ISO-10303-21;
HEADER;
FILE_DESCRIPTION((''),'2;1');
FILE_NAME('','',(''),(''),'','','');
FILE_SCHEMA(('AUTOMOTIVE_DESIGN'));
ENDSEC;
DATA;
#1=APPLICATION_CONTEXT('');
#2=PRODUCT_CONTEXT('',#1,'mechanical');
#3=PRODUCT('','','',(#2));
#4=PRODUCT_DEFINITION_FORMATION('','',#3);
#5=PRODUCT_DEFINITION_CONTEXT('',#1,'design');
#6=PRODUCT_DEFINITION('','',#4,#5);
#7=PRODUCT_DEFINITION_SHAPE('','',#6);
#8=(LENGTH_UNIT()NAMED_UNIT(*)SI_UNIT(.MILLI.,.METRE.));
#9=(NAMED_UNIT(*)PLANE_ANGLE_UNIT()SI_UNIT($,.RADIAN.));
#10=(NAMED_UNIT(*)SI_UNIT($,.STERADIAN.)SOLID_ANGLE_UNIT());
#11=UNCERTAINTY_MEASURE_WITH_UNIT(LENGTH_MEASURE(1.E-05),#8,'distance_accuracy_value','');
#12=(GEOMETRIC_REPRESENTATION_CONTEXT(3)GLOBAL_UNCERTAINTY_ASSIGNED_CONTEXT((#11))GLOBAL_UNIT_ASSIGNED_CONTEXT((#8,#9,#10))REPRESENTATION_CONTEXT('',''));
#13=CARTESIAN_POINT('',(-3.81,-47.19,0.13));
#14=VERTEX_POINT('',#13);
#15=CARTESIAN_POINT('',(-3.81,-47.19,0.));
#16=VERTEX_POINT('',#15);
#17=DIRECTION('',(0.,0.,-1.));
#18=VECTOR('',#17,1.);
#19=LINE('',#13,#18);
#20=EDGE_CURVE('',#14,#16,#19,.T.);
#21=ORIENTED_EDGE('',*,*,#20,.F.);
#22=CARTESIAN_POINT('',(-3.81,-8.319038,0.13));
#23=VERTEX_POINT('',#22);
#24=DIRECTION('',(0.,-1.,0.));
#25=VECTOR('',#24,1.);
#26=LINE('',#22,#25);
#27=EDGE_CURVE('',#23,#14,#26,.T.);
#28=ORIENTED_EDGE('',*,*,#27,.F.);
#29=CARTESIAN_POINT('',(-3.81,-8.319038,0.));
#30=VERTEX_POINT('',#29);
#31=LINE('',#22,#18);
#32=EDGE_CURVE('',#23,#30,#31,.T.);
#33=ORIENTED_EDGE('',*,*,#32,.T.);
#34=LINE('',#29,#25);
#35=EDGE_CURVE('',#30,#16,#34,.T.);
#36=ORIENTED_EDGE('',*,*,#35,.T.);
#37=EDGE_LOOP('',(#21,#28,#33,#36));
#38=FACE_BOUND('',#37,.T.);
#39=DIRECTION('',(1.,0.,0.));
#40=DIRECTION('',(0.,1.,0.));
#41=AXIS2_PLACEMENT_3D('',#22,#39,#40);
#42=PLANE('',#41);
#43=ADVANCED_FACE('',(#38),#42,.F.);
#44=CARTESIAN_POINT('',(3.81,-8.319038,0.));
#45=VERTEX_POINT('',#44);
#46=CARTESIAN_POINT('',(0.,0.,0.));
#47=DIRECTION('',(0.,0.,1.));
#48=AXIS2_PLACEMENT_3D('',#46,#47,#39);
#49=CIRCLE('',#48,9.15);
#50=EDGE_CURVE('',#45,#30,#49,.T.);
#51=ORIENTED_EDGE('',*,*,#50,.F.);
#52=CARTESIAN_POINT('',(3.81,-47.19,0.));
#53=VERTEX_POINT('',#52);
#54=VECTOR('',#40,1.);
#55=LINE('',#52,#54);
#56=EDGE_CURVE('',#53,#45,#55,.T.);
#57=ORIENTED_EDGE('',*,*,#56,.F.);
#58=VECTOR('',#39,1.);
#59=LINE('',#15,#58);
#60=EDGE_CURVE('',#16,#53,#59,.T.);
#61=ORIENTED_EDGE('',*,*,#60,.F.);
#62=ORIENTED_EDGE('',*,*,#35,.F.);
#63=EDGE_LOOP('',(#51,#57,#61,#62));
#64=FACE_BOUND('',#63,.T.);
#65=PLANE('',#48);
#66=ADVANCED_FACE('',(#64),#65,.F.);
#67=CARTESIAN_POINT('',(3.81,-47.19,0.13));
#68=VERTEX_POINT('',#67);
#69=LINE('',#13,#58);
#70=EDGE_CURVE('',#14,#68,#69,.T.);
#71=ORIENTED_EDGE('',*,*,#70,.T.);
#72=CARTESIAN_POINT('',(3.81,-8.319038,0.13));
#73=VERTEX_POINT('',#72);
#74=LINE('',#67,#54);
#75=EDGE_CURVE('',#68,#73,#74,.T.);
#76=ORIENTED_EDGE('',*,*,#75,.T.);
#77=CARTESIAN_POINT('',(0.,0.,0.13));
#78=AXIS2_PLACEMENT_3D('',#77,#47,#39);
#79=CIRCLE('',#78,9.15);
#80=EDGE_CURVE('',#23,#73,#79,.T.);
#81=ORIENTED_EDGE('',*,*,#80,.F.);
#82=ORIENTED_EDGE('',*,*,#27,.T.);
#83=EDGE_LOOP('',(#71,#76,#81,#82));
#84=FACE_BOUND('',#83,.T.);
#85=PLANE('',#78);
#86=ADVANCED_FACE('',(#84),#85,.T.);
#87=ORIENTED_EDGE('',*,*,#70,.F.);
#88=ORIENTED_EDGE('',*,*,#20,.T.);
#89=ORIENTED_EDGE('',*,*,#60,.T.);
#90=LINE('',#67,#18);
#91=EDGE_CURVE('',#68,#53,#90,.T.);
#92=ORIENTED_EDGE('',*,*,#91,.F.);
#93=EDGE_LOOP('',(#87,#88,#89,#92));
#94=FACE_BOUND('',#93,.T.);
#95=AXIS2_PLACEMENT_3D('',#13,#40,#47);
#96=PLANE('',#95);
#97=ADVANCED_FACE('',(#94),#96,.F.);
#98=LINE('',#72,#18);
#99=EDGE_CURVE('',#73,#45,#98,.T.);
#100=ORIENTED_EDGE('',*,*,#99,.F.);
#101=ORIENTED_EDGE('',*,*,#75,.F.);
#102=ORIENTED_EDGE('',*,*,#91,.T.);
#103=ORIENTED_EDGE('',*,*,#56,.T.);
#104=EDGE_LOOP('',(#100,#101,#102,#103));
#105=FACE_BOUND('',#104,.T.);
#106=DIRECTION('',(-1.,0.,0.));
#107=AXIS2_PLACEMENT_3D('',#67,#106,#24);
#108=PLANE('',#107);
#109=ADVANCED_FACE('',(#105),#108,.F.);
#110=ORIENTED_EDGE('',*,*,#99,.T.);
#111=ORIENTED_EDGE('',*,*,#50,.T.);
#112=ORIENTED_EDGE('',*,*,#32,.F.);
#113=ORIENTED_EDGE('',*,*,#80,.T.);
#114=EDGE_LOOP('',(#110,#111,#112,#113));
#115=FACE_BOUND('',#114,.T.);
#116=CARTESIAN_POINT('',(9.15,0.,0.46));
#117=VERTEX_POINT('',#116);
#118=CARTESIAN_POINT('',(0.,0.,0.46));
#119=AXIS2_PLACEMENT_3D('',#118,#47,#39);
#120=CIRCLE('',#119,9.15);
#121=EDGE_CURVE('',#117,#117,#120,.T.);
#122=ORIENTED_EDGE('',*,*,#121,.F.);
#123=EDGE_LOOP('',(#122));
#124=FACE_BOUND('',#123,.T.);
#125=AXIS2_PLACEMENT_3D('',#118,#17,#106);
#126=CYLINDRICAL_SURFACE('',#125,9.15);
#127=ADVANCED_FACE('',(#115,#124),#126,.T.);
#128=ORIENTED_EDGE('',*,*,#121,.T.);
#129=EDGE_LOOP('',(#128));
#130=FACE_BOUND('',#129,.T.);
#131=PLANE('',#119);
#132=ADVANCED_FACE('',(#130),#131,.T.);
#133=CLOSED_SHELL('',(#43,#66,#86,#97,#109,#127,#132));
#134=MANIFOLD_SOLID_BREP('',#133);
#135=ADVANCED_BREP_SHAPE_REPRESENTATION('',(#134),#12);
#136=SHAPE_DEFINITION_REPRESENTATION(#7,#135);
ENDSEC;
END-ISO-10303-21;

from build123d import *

# Parameters (mm, degrees)
SKETCH1_R           = 9.15
BOSS_EXTRUDE1_DEPTH = 0.46
SKETCH2_W           = 7.62
SKETCH2_H           = 38.870961594
BOSS_EXTRUDE2_DEPTH = 0.13


with BuildPart() as part:
    # Sketch1 → Boss-Extrude1 (new body)
    with BuildSketch(Plane.XY):
        Circle(SKETCH1_R)
    extrude(amount=BOSS_EXTRUDE1_DEPTH)

    # Sketch2 → Boss-Extrude2 (add)
    with BuildSketch(Plane.XY):
        with Locations((0, -27.754519203)):
            Rectangle(SKETCH2_W, SKETCH2_H)
    extrude(amount=BOSS_EXTRUDE2_DEPTH)


solid = part.part
